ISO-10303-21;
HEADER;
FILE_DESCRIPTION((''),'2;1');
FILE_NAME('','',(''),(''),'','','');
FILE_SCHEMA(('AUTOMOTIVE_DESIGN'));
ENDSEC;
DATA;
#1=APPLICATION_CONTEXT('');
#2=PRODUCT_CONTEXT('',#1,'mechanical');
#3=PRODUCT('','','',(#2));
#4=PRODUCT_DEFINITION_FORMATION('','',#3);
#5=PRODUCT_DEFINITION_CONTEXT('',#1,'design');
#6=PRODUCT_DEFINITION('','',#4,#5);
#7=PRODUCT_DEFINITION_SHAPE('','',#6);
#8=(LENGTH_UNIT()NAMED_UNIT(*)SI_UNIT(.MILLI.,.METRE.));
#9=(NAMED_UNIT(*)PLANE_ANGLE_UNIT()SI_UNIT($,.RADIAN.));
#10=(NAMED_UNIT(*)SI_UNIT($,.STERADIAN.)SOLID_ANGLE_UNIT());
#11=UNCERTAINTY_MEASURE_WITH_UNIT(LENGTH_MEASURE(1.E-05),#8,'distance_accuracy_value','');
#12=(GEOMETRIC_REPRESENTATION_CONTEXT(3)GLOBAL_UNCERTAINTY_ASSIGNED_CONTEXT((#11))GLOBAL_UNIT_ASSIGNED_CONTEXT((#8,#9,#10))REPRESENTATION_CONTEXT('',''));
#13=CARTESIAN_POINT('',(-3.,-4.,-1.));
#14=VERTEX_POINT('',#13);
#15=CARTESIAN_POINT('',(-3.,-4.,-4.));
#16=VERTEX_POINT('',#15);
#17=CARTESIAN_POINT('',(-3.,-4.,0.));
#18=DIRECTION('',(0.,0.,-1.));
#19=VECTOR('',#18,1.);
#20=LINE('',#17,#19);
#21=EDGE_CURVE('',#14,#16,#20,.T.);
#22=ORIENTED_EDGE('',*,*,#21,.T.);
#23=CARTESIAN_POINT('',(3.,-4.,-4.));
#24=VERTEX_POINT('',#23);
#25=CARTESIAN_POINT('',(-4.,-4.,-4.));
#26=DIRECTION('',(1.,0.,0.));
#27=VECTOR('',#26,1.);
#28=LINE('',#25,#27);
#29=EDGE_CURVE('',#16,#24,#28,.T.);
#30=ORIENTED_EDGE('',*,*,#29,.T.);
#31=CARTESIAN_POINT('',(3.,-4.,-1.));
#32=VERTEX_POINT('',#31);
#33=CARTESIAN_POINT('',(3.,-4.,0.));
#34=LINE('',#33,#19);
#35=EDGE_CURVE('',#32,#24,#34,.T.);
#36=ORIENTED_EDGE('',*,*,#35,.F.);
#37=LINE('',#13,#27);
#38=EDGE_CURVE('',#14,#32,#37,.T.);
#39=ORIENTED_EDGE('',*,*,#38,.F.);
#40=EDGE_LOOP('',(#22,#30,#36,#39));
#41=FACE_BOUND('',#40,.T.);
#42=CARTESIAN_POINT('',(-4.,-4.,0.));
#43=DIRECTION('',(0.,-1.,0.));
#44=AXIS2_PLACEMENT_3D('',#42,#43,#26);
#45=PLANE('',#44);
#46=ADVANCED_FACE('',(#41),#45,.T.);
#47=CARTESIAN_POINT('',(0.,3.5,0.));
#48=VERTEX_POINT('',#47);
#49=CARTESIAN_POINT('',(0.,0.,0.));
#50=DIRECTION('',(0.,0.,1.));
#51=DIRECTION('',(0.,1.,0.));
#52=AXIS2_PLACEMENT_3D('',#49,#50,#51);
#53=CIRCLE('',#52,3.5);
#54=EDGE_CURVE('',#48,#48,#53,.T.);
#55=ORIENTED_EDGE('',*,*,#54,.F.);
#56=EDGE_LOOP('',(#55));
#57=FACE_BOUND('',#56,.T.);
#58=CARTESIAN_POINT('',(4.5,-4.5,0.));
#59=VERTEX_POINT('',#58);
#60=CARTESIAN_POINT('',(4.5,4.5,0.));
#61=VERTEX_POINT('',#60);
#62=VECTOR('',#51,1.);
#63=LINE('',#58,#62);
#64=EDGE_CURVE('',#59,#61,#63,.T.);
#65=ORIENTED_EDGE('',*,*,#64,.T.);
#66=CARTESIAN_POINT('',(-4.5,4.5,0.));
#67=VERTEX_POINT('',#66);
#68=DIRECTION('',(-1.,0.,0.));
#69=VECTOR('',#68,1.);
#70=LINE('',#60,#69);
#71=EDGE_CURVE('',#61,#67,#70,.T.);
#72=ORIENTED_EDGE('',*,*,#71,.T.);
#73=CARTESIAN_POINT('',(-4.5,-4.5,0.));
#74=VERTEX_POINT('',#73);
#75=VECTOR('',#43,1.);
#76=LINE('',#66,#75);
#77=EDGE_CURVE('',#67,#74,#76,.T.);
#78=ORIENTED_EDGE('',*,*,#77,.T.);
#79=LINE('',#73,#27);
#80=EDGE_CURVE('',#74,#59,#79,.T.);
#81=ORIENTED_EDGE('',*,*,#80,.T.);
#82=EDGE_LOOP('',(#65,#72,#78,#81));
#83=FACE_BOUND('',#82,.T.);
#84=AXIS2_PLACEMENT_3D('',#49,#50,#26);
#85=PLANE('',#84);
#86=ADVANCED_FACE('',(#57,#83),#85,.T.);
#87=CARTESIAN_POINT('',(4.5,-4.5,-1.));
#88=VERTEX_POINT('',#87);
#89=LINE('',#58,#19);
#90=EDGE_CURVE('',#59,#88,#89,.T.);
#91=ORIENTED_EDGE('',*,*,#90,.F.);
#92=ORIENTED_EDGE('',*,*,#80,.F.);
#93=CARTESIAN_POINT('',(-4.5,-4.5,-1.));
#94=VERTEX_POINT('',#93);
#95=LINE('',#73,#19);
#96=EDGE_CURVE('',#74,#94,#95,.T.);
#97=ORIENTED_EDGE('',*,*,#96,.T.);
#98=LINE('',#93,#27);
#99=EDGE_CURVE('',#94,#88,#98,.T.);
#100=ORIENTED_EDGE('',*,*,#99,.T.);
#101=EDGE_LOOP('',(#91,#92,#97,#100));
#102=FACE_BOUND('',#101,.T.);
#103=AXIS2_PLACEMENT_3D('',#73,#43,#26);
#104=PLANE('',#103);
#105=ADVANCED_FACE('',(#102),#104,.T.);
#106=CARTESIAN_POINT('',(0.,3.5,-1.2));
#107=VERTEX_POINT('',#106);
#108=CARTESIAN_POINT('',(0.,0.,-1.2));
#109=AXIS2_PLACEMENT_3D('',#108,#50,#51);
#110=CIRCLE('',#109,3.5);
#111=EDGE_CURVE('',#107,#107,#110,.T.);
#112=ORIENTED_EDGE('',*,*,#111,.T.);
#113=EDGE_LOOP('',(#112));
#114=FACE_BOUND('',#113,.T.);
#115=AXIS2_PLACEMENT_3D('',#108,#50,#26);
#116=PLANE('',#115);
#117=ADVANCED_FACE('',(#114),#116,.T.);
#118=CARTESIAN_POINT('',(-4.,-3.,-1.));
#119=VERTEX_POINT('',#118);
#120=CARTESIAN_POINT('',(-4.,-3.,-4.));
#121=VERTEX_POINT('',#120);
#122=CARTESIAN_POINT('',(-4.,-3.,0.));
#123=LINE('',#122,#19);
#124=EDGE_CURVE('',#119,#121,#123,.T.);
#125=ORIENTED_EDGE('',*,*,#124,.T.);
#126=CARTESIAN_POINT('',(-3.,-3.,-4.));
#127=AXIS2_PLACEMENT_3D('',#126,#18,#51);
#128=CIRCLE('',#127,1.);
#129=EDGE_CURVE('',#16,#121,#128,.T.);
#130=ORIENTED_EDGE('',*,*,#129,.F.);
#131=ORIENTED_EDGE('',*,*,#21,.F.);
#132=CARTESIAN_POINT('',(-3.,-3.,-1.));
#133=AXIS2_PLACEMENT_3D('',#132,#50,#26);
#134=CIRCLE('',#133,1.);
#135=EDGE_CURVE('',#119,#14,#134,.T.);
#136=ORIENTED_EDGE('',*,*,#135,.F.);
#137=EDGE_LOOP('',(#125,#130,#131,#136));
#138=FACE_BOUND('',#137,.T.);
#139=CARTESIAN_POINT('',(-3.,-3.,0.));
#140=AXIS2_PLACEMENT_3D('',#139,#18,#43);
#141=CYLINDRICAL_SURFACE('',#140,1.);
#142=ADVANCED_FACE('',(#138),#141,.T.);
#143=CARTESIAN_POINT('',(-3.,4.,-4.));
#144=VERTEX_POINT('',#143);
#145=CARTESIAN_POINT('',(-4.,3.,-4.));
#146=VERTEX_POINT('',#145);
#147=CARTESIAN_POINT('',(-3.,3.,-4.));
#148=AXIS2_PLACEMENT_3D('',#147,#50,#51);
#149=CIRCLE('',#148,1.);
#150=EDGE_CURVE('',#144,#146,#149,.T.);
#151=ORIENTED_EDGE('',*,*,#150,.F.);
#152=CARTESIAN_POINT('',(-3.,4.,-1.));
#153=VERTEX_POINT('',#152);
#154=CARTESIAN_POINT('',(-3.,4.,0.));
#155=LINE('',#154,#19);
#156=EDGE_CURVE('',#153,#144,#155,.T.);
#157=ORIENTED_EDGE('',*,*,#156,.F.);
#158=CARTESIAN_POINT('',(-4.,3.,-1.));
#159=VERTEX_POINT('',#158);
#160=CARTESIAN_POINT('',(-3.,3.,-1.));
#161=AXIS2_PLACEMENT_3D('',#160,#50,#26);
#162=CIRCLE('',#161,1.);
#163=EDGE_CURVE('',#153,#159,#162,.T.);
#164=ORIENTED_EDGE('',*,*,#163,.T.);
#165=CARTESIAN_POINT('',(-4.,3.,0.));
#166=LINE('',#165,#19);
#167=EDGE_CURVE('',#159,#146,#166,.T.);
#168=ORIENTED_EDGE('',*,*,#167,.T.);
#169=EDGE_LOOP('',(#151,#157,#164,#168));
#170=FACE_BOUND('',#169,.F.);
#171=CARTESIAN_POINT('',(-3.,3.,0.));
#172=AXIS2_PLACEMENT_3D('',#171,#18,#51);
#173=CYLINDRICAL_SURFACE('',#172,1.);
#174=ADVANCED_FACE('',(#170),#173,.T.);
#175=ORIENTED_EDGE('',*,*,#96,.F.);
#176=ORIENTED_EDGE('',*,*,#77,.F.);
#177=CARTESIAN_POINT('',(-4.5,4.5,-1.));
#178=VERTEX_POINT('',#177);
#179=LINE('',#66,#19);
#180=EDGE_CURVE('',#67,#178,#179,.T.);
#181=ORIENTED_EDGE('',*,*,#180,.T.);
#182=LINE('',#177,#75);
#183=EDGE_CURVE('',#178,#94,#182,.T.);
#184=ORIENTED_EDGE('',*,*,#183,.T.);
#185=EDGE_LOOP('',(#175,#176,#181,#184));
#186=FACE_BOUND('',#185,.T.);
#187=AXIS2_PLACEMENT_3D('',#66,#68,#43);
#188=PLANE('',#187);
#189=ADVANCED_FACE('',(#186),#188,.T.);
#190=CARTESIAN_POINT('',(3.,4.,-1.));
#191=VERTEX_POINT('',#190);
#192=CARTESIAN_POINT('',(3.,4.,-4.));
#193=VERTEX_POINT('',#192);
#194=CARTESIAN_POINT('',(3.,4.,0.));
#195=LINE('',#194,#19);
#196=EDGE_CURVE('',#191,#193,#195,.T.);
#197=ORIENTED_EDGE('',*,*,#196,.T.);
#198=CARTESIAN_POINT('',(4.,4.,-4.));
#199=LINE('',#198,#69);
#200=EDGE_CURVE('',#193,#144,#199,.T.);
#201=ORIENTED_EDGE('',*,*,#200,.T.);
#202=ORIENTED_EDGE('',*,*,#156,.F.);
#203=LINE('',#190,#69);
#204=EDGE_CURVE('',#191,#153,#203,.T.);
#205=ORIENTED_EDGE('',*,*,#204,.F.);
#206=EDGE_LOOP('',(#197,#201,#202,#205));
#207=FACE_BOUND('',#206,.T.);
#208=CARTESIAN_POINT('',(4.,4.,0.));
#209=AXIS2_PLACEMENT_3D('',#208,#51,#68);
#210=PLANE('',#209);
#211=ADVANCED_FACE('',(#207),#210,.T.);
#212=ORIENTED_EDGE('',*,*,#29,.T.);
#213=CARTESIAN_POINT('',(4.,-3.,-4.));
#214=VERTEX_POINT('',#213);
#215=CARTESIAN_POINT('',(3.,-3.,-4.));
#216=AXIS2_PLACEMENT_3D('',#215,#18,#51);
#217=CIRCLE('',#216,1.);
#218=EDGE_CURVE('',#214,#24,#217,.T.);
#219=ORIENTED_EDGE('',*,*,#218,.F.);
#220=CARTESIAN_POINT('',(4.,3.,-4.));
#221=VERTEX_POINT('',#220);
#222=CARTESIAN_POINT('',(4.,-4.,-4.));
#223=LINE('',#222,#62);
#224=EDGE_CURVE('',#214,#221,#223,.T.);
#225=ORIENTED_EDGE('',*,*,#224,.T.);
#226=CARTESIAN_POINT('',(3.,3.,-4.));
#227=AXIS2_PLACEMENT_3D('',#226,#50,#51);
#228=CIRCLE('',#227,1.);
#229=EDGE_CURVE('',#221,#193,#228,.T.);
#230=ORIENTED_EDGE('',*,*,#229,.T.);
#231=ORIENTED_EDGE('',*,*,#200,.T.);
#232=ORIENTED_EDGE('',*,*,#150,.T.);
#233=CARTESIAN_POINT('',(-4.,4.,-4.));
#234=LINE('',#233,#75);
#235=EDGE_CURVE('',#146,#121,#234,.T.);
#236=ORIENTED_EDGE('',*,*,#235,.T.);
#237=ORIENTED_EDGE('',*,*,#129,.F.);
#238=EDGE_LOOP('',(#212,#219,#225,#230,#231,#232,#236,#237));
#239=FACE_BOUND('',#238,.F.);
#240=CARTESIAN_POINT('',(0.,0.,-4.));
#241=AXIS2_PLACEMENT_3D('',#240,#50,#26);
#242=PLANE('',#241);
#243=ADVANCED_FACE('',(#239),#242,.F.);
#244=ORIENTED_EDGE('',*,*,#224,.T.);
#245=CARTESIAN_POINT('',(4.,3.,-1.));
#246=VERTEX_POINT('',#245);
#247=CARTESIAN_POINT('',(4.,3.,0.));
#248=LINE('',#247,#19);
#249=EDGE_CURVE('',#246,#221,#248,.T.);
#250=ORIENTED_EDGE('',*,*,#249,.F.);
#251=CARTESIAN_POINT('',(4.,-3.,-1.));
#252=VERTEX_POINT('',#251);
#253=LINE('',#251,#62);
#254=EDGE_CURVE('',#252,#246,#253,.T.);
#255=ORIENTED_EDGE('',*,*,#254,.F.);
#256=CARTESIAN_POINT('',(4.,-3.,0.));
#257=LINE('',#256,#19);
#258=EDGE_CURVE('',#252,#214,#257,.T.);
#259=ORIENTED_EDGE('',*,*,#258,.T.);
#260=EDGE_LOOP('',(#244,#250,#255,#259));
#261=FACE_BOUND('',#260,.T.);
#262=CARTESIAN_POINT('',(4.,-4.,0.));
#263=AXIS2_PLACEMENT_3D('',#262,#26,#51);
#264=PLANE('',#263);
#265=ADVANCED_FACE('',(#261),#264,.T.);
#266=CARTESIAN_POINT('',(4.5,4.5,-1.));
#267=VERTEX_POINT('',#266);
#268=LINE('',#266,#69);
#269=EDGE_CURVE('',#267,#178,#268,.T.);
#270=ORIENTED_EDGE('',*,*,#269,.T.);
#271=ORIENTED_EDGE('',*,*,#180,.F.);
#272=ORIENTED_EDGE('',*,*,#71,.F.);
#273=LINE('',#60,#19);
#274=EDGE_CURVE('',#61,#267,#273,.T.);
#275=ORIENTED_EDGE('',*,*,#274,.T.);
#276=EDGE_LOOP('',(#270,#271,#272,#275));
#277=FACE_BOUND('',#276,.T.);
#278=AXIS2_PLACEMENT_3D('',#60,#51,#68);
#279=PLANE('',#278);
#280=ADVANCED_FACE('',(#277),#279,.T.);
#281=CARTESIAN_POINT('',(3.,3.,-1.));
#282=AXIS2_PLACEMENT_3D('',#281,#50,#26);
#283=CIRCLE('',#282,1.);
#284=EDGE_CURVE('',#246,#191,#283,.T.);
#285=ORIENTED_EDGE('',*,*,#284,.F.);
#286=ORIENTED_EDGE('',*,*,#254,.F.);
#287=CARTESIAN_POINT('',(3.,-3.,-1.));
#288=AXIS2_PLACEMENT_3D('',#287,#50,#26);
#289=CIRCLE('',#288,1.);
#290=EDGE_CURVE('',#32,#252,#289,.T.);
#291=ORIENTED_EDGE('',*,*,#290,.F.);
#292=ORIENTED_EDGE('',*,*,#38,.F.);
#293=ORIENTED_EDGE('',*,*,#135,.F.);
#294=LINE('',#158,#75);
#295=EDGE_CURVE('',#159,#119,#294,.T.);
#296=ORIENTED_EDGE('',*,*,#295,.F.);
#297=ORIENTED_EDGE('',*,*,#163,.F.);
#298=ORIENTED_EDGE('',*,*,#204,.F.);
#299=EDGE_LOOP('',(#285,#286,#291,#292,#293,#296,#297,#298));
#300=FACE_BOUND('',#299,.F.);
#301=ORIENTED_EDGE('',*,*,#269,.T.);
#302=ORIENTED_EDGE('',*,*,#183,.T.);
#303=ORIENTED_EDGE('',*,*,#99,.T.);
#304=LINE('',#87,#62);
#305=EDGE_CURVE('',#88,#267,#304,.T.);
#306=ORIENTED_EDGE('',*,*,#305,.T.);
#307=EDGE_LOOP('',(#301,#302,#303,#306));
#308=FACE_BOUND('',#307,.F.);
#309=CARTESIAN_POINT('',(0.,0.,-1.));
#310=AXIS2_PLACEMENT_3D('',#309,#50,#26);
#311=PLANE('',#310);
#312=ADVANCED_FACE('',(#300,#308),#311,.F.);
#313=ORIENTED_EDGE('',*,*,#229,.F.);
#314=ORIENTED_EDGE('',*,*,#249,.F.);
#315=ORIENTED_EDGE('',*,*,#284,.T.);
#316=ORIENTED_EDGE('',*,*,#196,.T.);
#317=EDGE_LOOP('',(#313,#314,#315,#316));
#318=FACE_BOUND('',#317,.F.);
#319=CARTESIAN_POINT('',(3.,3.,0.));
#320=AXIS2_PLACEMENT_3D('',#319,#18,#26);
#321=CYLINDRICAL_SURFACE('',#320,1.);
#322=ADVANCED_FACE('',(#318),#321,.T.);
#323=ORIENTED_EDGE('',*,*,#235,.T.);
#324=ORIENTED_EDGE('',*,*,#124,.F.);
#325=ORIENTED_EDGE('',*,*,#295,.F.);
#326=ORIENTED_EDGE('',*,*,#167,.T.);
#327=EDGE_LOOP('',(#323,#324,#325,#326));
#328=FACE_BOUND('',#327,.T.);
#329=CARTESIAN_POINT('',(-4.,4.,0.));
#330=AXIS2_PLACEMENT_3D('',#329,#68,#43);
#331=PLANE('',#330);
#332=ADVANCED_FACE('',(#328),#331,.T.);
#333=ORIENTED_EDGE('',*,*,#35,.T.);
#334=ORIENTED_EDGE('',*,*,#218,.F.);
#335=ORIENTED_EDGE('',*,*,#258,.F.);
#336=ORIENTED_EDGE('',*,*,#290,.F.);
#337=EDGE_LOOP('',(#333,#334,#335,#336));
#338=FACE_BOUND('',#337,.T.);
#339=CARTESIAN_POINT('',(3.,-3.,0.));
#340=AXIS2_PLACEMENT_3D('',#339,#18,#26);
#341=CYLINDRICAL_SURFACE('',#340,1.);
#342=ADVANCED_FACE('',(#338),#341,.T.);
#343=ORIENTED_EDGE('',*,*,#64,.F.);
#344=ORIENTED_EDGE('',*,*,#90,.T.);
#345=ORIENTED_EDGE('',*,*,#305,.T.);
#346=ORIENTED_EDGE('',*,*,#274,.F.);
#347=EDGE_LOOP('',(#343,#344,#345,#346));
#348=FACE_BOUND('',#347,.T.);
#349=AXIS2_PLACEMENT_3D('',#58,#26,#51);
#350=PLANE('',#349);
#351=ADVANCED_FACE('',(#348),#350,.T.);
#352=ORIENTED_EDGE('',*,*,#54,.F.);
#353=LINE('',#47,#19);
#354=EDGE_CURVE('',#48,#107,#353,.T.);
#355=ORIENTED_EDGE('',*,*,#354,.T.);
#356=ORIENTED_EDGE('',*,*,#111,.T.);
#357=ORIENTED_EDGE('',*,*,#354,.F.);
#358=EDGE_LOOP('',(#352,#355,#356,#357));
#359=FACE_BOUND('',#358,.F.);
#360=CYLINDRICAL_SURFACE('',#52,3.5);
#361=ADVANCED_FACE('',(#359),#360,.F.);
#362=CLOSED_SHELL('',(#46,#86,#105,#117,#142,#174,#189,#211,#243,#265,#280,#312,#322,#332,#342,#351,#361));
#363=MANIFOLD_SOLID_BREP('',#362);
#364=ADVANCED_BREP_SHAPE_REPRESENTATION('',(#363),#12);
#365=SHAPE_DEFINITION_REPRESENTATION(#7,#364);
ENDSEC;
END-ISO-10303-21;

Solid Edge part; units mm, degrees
sketch "Sketch1" plane through (0, 0, 0) normal (0, 0, 1) x (1, 0, 0)
  line L0 (4, -4) -> (4, 4)
  line L1 (4, 4) -> (-4, 4)
  line L2 (-4, 4) -> (-4, -4)
  line L3 (-4, -4) -> (4, -4)
extrude "ExtrudedProtrusion_1" add sketch "Sketch1" against normal blind 4
sketch "Sketch2" plane through (0, 0, 0) normal (0, 0, 1) x (0, 1, 0)
  circle A0 centre (0, 0) radius 3.5
extrude "ExtrudedCutout_1" cut sketch "Sketch2" against normal blind 1.2
fillet "Round_1" radius 1 4 edges at (4, -4, -2) (-4, -4, -2) (4, 4, -2) (-4, 4, -2)
sketch "Sketch3" plane through (0, 0, 0) normal (0, 0, 1) x (1, 0, 0)
  line L0 (4, -3) -> (4, 3)
  arc A0 (4, 3) -> (3, 4) centre (3, 3) ccw
  line L1 (3, 4) -> (-3, 4)
  arc A1 (-3, 4) -> (-4, 3) centre (-3, 3) ccw
  line L2 (-4, 3) -> (-4, -3)
  arc A2 (-4, -3) -> (-3, -4) centre (-3, -3) ccw
  line L3 (-3, -4) -> (3, -4)
  arc A3 (3, -4) -> (4, -3) centre (3, -3) ccw
  line L4 (4.5, -4.5) -> (4.5, 4.5)
  line L5 (4.5, 4.5) -> (-4.5, 4.5)
  line L6 (-4.5, 4.5) -> (-4.5, -4.5)
  line L7 (-4.5, -4.5) -> (4.5, -4.5)
extrude "ExtrudedProtrusion_2" add sketch "Sketch3" against normal blind 1
